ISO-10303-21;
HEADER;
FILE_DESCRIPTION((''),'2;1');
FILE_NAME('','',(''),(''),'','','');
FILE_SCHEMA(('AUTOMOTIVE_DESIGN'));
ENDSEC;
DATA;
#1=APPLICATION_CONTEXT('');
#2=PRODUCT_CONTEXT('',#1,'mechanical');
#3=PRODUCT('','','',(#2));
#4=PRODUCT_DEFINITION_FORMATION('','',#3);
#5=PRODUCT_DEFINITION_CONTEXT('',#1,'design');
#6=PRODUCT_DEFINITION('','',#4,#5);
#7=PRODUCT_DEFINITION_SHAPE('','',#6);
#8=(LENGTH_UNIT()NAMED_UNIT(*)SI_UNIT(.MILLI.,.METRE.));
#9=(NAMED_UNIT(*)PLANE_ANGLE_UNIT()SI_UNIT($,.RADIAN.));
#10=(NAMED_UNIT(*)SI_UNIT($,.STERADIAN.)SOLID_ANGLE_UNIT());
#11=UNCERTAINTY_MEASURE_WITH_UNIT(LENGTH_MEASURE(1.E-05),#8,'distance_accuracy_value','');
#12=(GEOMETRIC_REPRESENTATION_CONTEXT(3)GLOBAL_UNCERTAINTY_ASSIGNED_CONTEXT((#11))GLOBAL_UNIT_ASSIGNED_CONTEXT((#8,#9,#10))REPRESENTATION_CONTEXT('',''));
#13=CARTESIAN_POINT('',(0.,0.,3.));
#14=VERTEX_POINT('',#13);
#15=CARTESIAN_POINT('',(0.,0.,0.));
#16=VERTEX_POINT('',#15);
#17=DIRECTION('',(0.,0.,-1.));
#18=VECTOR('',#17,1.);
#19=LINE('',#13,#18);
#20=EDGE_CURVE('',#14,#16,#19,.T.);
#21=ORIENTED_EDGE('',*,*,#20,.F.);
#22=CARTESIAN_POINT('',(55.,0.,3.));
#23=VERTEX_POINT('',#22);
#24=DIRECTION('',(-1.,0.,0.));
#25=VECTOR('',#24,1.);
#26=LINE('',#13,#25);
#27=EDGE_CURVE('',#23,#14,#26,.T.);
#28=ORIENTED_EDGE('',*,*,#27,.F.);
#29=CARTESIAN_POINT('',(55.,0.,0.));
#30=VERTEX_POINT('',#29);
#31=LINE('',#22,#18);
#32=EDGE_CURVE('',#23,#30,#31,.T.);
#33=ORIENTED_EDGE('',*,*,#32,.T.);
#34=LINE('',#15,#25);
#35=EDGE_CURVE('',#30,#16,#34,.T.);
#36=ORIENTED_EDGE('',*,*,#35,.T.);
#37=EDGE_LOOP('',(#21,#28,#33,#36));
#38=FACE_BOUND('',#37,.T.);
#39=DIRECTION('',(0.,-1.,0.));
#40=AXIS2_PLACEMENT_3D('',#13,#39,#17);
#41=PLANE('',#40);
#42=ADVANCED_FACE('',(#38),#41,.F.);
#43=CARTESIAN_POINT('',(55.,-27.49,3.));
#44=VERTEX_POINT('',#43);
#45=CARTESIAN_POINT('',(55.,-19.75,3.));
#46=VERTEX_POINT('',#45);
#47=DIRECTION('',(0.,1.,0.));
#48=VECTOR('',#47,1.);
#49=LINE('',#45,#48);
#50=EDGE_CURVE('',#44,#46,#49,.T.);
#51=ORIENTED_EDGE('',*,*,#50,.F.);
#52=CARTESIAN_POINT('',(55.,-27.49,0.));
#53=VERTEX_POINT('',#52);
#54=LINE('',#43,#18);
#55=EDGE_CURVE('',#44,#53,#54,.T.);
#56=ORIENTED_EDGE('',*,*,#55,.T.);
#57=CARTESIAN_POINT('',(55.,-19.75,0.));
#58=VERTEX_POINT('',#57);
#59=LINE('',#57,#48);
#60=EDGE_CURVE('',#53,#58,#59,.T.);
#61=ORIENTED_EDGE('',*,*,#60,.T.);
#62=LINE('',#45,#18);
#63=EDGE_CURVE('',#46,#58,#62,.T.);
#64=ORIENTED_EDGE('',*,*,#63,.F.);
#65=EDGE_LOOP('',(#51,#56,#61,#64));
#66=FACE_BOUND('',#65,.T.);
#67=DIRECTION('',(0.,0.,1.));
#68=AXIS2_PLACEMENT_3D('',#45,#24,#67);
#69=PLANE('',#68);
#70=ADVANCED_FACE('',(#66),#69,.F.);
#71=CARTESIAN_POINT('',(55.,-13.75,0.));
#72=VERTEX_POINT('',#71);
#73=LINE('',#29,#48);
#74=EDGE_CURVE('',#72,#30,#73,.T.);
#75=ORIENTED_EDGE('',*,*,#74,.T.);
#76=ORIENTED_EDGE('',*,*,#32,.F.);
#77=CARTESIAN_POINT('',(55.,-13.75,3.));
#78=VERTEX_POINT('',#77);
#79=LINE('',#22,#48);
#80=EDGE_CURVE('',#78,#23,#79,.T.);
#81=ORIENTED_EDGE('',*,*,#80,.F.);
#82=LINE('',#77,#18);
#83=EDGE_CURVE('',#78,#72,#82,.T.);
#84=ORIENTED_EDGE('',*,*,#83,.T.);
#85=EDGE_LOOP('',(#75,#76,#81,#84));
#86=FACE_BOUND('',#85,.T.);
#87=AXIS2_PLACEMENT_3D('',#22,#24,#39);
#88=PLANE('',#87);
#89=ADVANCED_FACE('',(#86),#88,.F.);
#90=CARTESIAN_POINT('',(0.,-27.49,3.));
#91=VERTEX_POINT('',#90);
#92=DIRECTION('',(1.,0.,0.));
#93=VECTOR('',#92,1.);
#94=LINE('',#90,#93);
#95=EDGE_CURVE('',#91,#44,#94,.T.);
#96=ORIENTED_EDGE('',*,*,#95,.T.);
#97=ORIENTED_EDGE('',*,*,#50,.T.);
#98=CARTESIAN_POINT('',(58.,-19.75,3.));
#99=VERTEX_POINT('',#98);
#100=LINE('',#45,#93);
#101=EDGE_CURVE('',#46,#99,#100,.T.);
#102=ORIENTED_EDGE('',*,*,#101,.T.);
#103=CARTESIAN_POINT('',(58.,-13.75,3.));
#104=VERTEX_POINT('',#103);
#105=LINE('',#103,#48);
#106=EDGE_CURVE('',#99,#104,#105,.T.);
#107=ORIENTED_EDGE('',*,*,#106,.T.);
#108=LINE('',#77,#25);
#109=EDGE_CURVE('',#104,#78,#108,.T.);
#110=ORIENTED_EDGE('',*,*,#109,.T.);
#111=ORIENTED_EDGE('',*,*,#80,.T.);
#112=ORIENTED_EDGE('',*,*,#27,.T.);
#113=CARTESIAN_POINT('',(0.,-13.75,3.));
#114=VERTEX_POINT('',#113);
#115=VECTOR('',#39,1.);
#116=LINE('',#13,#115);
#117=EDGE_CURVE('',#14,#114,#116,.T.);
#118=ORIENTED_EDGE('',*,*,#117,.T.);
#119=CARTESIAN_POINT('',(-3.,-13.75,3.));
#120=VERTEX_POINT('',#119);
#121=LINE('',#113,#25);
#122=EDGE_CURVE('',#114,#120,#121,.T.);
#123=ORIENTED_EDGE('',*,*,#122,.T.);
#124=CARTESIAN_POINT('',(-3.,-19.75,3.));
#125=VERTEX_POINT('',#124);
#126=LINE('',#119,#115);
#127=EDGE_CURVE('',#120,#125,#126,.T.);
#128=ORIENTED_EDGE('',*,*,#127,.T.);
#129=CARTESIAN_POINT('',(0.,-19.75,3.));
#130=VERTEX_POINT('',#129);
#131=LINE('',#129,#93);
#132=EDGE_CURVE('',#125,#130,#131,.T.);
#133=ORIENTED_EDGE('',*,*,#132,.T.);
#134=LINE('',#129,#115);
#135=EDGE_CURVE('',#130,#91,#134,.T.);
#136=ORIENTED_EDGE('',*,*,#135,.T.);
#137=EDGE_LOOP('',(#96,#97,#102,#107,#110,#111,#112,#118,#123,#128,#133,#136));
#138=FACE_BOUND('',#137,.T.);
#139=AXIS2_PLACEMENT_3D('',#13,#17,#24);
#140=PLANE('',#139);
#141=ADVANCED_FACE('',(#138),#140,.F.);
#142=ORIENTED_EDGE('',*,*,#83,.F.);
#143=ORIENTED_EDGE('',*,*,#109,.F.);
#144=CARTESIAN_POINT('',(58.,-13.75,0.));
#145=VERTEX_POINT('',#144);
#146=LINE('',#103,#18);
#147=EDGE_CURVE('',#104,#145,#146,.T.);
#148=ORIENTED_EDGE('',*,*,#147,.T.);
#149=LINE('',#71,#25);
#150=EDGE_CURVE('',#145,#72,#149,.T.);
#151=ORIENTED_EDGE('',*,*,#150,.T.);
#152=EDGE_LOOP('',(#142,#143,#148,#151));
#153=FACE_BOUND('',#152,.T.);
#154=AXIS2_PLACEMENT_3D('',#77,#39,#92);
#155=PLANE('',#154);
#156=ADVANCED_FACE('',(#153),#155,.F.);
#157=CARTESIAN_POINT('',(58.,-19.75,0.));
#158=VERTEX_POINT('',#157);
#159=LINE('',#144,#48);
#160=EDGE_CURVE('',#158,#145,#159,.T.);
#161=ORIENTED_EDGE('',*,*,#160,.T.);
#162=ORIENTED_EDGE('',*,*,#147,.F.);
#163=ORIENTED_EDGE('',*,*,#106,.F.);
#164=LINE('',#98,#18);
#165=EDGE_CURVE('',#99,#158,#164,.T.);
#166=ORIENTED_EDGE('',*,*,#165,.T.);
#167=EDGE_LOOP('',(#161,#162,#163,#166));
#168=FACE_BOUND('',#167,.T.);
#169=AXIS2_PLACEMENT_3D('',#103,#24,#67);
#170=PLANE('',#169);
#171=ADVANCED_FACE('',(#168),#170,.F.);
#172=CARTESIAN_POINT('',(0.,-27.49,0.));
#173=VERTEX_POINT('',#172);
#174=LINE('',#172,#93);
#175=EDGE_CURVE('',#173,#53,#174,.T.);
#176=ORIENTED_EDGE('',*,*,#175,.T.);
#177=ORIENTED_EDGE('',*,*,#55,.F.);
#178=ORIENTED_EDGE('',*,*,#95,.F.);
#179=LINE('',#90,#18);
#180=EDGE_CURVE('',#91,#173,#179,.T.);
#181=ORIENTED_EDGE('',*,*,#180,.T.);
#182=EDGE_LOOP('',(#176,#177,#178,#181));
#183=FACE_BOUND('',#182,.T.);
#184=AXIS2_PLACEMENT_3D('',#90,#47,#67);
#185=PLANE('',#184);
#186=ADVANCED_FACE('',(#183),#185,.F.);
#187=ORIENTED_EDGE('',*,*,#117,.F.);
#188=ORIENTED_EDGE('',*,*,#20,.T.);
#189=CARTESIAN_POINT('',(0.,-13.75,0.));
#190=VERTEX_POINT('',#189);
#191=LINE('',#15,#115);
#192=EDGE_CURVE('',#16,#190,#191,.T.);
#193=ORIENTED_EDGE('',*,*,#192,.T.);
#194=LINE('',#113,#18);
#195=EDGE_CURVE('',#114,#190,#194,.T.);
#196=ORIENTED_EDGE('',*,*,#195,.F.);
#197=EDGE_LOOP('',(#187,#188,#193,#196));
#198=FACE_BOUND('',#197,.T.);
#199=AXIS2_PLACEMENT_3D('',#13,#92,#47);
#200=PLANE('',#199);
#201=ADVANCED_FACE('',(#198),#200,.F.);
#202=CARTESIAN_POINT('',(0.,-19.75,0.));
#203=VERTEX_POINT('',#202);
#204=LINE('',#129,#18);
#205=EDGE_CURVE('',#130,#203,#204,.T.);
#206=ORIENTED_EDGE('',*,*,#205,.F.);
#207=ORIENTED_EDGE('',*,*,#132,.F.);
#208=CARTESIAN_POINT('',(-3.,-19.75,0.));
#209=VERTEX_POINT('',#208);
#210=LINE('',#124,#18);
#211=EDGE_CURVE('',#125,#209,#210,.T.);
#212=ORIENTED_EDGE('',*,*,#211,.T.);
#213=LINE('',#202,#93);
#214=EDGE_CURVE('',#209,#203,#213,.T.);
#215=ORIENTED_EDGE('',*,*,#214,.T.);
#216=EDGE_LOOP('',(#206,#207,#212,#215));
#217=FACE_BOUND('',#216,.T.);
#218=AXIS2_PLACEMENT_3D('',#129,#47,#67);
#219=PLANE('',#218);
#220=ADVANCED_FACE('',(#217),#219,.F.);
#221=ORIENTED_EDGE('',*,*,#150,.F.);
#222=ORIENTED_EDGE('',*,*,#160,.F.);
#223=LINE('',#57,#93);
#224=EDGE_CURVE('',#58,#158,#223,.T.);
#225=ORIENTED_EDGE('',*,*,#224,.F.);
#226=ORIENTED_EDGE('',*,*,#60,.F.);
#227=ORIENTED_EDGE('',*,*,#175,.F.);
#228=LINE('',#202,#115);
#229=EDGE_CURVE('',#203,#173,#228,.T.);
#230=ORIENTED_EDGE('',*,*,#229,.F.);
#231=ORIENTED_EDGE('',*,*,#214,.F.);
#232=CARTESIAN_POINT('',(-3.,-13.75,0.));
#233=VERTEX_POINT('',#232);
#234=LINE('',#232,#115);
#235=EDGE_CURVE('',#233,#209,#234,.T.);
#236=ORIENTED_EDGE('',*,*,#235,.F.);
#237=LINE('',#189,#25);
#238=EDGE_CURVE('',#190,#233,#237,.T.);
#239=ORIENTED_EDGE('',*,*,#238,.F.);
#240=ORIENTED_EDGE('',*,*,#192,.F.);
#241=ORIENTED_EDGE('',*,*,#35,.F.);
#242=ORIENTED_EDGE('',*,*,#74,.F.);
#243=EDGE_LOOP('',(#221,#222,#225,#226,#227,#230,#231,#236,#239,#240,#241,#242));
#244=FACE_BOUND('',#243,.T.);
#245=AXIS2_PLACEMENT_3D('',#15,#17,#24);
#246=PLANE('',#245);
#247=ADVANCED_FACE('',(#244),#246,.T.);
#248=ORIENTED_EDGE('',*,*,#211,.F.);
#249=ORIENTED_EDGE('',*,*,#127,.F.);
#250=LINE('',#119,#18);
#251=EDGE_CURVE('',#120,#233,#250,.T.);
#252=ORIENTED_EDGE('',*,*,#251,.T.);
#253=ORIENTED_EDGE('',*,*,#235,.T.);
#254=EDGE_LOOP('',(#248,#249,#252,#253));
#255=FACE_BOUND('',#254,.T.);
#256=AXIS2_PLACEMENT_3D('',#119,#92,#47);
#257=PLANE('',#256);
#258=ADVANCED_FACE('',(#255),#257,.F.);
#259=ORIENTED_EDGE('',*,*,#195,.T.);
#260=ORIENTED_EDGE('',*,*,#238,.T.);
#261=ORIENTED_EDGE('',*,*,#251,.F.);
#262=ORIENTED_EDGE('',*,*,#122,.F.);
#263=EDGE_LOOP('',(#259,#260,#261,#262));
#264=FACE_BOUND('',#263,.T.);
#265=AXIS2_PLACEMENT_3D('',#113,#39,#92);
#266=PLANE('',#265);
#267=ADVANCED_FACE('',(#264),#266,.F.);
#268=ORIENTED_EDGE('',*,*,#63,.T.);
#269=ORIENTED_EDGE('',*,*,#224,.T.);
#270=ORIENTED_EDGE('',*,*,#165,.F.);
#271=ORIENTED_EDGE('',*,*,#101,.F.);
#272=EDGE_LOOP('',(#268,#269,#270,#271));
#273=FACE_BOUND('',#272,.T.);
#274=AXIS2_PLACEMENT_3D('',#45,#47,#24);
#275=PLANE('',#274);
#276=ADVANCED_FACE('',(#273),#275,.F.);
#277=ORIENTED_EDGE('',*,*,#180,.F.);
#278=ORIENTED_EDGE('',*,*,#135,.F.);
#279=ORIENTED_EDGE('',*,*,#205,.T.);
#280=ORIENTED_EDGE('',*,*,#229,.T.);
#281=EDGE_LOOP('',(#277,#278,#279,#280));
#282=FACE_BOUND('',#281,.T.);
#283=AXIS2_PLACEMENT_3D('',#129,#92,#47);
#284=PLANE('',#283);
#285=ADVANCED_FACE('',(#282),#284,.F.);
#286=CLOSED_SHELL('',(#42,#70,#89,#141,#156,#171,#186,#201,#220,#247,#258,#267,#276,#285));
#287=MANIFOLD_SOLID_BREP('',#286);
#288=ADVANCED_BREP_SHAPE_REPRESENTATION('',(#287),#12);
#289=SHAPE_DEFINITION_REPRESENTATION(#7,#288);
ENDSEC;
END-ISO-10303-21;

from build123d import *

# Parameters (mm, degrees)
P_IDAT_VYSUNUT_M1_DEPTH = 3


with BuildPart() as part:
    # Skica1 → Přidat vysunutím1 (new body)
    with BuildSketch(Plane.XY):
        Polygon((55, -19.75), (55, -27.49), (0, -27.49), (0, -19.75), (-3, -19.75), (-3, -13.75), (0, -13.75), (0, 0), (55, 0), (55, -13.75), (58, -13.75), (58, -19.75), align=None)
    extrude(amount=P_IDAT_VYSUNUT_M1_DEPTH)


solid = part.part
